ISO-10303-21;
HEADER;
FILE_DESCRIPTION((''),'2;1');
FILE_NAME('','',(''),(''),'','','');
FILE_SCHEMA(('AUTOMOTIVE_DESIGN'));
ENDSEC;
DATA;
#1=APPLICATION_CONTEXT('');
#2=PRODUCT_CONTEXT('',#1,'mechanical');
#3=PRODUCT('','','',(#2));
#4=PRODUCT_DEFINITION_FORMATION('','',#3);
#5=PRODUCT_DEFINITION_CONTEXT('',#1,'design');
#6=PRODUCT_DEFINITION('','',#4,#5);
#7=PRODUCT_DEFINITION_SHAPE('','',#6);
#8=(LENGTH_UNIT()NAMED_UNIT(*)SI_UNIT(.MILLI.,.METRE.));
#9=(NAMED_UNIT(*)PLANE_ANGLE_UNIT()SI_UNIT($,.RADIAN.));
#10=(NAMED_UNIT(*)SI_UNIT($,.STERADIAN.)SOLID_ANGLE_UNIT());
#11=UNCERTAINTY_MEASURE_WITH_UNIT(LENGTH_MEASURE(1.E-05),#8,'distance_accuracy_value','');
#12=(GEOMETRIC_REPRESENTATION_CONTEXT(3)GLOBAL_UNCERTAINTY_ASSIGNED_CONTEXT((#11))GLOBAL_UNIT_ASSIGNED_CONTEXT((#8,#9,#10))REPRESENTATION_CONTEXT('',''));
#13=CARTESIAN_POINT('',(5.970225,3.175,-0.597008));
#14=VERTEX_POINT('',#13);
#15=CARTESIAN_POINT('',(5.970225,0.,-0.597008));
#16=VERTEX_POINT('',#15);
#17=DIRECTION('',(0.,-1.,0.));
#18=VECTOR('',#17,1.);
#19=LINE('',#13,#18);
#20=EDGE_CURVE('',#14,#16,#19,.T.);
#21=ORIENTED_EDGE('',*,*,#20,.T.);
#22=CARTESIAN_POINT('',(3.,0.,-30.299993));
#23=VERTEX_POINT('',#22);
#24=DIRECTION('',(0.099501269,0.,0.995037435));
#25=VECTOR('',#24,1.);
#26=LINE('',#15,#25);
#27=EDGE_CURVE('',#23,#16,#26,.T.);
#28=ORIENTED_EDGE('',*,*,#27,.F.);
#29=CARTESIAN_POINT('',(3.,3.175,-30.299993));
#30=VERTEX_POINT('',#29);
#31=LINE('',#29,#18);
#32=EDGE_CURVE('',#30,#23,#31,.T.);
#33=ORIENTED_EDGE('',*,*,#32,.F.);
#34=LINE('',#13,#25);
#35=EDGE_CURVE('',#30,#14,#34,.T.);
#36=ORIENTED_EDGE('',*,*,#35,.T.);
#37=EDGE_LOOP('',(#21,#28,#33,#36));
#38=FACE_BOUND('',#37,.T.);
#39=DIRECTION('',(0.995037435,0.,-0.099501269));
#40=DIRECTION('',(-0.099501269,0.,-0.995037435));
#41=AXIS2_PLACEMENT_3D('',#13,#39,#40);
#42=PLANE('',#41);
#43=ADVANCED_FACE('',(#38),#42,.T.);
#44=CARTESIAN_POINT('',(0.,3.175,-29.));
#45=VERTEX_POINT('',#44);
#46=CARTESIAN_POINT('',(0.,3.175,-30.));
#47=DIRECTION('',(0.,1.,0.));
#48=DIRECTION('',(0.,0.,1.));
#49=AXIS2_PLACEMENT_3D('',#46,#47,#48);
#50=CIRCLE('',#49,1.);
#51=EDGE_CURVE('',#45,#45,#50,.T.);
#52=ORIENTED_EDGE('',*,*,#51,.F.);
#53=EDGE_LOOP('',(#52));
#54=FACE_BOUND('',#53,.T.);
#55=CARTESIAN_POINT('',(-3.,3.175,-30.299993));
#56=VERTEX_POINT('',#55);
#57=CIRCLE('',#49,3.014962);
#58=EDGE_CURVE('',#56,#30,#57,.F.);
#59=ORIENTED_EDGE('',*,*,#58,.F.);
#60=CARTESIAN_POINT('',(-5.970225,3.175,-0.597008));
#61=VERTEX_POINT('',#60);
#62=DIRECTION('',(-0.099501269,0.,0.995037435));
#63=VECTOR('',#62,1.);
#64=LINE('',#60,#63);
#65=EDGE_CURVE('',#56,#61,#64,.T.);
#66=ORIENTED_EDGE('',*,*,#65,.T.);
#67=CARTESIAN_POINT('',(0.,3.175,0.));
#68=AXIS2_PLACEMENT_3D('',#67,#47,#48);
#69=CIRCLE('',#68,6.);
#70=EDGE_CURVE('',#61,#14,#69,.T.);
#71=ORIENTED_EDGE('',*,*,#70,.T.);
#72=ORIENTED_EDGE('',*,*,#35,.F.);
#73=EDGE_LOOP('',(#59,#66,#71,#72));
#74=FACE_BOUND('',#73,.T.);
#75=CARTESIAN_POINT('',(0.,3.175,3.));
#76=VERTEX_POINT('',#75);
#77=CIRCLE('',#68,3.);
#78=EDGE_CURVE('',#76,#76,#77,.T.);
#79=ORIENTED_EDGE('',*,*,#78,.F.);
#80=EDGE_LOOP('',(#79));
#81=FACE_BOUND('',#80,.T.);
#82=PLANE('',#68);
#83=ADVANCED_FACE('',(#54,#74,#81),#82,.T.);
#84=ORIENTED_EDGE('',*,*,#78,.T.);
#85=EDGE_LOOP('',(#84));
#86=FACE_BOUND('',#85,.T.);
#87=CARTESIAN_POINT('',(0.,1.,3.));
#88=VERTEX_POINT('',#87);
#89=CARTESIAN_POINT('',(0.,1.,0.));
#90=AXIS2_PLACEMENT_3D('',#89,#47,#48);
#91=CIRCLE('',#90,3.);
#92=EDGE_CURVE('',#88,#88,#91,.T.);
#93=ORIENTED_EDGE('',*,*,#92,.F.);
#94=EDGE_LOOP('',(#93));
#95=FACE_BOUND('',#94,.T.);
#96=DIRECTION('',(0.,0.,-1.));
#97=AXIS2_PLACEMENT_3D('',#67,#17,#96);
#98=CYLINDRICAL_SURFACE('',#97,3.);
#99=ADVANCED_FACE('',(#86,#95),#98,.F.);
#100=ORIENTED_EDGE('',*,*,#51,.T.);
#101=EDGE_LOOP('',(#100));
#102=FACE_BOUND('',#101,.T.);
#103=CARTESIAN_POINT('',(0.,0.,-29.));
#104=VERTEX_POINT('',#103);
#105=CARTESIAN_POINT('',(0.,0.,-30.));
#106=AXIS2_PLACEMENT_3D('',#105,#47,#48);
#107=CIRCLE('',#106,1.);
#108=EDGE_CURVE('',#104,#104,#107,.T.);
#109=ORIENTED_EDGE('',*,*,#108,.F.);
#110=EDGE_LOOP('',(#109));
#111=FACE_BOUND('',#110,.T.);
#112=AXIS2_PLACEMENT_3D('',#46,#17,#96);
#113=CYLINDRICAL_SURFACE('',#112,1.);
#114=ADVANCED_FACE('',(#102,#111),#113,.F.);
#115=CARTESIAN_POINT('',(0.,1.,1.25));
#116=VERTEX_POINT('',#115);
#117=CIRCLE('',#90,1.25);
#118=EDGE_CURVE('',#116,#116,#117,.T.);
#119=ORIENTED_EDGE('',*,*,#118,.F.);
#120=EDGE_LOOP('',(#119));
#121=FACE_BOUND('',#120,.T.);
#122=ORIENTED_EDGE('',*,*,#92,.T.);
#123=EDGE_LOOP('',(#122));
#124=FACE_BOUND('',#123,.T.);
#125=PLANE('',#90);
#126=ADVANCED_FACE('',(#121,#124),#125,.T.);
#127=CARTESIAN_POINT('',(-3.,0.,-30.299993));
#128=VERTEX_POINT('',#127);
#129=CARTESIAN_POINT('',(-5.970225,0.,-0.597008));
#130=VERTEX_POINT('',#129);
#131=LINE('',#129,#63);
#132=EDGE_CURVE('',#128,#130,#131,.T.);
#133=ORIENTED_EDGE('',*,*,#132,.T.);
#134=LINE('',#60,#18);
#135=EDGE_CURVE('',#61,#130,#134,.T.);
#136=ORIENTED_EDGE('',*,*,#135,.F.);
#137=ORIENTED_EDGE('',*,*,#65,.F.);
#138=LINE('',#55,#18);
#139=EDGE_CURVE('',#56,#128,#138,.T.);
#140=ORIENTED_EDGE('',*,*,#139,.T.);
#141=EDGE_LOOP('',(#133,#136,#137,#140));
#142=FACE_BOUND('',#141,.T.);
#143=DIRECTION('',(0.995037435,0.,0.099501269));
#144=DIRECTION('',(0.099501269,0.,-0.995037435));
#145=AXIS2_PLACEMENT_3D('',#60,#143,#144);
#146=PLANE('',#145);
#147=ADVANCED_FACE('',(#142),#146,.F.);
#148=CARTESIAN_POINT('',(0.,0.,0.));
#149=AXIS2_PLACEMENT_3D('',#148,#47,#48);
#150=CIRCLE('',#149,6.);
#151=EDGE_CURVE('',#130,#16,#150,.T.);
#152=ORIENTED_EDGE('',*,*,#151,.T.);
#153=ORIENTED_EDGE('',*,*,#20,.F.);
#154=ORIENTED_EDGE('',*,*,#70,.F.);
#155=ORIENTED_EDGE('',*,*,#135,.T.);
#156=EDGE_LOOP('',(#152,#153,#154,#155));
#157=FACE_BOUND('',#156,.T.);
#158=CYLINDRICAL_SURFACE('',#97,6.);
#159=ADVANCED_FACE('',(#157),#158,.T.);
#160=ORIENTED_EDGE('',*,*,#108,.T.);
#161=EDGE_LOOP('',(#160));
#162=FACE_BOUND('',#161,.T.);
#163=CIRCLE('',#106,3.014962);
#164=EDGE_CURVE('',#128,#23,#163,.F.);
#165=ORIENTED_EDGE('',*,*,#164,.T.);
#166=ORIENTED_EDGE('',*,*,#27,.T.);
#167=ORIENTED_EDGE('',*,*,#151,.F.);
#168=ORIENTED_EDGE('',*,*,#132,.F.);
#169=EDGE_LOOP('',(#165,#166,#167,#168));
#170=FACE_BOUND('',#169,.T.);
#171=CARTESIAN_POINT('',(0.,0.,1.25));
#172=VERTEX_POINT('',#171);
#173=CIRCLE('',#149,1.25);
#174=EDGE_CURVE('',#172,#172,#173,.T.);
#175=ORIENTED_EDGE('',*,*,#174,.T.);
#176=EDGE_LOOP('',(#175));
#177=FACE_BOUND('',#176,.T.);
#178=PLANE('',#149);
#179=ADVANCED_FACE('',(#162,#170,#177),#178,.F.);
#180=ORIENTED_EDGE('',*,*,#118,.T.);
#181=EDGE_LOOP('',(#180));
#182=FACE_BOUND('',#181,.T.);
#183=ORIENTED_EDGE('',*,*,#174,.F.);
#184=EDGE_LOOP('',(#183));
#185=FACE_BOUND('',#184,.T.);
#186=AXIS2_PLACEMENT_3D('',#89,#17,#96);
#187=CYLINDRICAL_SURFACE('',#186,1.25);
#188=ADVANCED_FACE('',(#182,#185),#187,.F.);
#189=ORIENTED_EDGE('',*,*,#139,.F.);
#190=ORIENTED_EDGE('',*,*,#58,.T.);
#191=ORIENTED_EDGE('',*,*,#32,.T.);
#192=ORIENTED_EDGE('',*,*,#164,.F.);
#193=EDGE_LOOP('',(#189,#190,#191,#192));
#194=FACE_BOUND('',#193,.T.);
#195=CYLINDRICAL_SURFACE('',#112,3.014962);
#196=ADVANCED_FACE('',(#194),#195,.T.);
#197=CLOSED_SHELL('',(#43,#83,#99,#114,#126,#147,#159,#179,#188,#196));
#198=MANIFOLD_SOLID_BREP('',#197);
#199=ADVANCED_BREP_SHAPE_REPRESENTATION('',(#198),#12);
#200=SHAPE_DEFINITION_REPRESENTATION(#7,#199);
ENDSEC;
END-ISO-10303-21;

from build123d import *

# Parameters (mm, degrees)
SKETCH2_R           = 1
SKETCH2_R_2         = 3
BOSS_EXTRUDE1_DEPTH = 3.175
SKETCH2_4_R         = 3
SKETCH2_4_R_2       = 1.25
BOSS_EXTRUDE2_DEPTH = 1


with BuildPart() as part:
    # Sketch2 → Boss-Extrude1 (new body)
    with BuildSketch(Plane(origin=(0, 0, 0), x_dir=(1, 0, 0), z_dir=(0, 1, 0))):
        with BuildLine():
            Line((-3, 30.299992538), (-5.970224612, 0.597007611))
            ThreePointArc((-5.970224612, 0.597007611), (0, -6), (5.970224612, 0.597007611))
            Line((5.970224612, 0.597007611), (3, 30.299992538))
            ThreePointArc((3, 30.299992538), (0, 33.014961944), (-3, 30.299992538))
        make_face()
        with Locations(Location((0, 30, 0), (0, 0, 270))):
            Circle(SKETCH2_R, mode=Mode.SUBTRACT)
        with Locations(Location((0, 0, 0), (0, 0, 270))):
            Circle(SKETCH2_R_2, mode=Mode.SUBTRACT)
    extrude(amount=BOSS_EXTRUDE1_DEPTH)

    # Sketch2<4> → Boss-Extrude2 (add)
    with BuildSketch(Plane(origin=(0, 0, 0), x_dir=(1, 0, 0), z_dir=(0, 1, 0))):
        with Locations(Location((0, 0, 0), (0, 0, 270))):
            Circle(SKETCH2_4_R)
        with Locations(Location((0, 0, 0), (0, 0, 270))):
            Circle(SKETCH2_4_R_2, mode=Mode.SUBTRACT)
    extrude(amount=BOSS_EXTRUDE2_DEPTH)


solid = part.part
